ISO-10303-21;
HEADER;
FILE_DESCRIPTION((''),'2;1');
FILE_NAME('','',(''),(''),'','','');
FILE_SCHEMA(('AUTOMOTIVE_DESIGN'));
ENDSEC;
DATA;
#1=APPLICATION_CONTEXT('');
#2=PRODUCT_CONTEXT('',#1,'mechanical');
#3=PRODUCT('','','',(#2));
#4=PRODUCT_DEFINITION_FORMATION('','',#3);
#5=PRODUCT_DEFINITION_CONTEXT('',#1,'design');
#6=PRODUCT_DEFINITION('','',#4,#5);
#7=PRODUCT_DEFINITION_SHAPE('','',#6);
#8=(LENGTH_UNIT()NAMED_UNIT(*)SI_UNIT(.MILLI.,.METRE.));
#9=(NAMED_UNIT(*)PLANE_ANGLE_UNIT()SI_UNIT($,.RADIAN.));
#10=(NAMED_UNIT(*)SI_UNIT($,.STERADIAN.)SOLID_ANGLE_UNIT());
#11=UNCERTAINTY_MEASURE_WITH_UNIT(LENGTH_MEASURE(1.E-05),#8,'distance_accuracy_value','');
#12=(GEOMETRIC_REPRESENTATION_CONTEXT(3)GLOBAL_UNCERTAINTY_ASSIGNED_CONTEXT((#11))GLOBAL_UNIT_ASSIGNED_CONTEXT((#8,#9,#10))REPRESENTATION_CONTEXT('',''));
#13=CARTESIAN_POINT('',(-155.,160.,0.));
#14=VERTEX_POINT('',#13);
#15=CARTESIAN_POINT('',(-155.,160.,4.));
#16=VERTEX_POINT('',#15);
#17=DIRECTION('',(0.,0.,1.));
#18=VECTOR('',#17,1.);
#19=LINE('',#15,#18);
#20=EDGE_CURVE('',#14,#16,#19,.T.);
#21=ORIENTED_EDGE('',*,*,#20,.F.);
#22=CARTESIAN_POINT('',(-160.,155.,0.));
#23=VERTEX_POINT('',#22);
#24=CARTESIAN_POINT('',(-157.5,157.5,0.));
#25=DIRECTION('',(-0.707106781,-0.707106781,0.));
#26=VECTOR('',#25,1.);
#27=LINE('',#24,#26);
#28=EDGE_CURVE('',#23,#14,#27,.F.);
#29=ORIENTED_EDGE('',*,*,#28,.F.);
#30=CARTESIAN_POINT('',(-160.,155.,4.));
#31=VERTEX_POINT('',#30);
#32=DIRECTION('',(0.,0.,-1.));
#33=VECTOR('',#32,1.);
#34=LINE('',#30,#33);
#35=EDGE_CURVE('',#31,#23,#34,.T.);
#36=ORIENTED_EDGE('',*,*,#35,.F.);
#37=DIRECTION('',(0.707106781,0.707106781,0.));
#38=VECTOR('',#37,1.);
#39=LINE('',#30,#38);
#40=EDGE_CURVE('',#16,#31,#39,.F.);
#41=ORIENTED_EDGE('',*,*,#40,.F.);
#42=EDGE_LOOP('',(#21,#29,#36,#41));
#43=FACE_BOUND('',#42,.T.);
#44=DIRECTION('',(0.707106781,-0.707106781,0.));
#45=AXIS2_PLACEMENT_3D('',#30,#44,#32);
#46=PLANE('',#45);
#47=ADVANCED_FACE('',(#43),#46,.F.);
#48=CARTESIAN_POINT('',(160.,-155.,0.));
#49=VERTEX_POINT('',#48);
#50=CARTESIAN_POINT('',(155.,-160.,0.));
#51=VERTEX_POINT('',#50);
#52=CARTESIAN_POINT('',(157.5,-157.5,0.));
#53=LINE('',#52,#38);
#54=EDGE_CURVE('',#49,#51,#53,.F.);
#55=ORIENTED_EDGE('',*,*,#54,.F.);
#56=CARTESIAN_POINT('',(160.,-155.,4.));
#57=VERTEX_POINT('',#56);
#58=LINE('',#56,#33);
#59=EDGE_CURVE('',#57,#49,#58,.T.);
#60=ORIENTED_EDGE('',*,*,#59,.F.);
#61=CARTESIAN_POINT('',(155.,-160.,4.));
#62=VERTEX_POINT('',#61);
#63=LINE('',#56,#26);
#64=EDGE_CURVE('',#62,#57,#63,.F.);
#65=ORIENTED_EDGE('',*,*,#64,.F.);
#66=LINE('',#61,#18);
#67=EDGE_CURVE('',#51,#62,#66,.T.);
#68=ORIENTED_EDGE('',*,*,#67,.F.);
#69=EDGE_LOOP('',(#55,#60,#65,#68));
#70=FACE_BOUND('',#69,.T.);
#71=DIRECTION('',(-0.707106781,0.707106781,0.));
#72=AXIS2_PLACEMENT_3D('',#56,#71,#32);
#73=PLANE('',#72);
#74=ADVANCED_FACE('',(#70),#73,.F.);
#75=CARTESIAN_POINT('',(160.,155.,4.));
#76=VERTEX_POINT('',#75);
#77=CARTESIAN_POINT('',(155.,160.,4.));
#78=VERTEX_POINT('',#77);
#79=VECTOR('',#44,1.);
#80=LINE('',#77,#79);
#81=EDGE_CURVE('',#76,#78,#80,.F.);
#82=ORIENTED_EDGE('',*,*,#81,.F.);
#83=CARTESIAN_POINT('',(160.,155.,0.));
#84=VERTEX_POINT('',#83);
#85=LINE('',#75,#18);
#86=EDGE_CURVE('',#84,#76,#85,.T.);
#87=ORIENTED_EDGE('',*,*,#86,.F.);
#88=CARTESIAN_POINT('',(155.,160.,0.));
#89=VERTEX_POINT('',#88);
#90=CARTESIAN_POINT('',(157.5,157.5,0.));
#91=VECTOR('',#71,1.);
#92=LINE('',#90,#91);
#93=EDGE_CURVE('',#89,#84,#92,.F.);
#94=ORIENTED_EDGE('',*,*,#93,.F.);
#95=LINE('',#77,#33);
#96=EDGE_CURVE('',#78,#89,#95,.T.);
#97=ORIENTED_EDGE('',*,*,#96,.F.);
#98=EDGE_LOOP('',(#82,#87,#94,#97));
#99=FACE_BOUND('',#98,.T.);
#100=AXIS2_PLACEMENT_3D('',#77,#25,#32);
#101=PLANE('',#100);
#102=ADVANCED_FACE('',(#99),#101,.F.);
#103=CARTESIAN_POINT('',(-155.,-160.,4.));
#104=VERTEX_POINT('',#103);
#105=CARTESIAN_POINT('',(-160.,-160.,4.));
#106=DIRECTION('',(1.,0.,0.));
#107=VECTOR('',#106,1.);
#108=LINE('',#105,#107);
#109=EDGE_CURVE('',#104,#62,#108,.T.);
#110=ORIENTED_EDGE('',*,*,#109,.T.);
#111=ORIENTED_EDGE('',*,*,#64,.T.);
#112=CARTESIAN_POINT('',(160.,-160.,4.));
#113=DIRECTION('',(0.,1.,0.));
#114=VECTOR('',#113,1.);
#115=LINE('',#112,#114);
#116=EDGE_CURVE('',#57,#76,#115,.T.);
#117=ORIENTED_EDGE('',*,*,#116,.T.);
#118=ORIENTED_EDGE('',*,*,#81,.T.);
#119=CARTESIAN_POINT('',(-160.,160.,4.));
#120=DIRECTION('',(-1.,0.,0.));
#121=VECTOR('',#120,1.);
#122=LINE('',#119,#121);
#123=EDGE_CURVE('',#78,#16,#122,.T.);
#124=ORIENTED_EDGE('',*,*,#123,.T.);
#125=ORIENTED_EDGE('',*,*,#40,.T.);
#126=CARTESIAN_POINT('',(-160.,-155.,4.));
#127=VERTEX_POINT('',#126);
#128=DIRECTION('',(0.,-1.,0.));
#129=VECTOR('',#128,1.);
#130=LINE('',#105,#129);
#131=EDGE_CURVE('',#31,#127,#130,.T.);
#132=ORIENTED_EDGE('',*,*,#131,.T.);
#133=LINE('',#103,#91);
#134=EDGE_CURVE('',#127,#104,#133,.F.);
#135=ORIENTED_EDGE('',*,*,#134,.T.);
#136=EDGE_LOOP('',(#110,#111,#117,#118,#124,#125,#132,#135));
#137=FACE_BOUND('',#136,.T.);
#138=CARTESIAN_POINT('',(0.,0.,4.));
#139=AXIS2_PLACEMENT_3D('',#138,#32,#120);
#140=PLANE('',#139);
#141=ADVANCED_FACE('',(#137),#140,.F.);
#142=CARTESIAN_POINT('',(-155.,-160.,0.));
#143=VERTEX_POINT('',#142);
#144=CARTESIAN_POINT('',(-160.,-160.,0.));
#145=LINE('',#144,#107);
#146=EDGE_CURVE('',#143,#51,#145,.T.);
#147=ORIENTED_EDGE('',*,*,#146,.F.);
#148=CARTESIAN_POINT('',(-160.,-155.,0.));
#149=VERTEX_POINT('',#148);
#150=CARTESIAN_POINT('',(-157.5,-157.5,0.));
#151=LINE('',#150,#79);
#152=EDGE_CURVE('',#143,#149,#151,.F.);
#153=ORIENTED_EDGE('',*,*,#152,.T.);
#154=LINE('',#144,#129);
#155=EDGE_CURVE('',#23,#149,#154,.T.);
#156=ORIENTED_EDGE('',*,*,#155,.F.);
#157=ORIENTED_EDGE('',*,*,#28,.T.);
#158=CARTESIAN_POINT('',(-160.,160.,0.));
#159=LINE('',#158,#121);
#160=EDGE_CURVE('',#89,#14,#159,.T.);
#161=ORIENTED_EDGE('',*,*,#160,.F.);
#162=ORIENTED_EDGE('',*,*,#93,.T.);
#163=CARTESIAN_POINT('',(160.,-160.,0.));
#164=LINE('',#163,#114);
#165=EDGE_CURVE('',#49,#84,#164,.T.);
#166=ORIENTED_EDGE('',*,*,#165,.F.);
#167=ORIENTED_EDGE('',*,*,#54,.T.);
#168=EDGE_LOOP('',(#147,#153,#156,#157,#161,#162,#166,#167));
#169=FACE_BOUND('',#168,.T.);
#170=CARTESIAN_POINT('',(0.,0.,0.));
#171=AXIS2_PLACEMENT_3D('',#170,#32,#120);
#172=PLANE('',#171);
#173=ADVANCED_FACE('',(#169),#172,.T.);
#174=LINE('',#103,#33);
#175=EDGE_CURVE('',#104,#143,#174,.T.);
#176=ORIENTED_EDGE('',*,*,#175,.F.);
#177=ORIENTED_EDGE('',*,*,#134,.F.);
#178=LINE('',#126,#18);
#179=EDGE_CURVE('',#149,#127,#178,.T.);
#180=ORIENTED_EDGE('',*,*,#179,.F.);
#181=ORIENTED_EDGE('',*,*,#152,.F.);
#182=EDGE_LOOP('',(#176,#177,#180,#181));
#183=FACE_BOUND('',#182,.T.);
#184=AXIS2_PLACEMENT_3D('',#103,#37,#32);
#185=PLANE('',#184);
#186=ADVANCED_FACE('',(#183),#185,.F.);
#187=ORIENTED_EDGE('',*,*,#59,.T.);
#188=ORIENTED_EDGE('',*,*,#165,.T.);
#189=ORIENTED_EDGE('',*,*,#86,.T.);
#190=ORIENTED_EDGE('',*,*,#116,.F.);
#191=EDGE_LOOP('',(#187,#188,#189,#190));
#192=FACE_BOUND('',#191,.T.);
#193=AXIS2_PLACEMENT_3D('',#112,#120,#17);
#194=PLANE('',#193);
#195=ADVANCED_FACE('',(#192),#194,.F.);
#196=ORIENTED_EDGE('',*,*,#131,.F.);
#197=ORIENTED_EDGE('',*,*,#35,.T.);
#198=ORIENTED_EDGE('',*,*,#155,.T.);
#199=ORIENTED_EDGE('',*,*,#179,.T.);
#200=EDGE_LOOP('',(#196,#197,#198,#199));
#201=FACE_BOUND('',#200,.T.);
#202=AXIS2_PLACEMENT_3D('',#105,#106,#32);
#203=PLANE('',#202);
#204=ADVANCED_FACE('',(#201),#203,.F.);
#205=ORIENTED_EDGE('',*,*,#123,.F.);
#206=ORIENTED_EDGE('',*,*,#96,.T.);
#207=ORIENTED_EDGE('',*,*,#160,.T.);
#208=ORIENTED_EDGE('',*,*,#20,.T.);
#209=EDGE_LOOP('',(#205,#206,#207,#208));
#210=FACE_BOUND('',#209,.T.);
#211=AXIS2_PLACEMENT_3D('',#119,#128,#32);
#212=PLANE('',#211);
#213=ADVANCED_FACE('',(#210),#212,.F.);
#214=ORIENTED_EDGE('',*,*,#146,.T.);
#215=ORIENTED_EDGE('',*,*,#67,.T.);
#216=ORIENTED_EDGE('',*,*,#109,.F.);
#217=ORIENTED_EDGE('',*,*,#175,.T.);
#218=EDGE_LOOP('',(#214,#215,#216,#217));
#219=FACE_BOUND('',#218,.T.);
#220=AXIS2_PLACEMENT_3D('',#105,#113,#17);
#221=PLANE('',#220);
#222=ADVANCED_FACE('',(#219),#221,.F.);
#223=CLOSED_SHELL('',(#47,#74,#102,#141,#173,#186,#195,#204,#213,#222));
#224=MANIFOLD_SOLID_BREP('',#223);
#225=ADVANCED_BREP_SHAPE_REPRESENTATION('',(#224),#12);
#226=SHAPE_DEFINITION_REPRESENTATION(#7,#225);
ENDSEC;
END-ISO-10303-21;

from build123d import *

# Parameters (mm, degrees)
SKETCH2_W           = 320
SKETCH2_H           = 320
BOSS_EXTRUDE1_DEPTH = 4
CHAMFER1_SIZE       = 5


with BuildPart() as part:
    # Sketch2 → Boss-Extrude1 (new body)
    with BuildSketch(Plane.XY):
        Rectangle(SKETCH2_W, SKETCH2_H)
    extrude(amount=BOSS_EXTRUDE1_DEPTH)

    # Chamfer1
    chamfer1_edges = [part.edges().sort_by_distance(p)[0] for p in [
        (160, -160, 2),
        (-160, -160, 2),
        (-160, 160, 2),
        (160, 160, 2),
    ]]
    chamfer(chamfer1_edges, length=CHAMFER1_SIZE)


solid = part.part
